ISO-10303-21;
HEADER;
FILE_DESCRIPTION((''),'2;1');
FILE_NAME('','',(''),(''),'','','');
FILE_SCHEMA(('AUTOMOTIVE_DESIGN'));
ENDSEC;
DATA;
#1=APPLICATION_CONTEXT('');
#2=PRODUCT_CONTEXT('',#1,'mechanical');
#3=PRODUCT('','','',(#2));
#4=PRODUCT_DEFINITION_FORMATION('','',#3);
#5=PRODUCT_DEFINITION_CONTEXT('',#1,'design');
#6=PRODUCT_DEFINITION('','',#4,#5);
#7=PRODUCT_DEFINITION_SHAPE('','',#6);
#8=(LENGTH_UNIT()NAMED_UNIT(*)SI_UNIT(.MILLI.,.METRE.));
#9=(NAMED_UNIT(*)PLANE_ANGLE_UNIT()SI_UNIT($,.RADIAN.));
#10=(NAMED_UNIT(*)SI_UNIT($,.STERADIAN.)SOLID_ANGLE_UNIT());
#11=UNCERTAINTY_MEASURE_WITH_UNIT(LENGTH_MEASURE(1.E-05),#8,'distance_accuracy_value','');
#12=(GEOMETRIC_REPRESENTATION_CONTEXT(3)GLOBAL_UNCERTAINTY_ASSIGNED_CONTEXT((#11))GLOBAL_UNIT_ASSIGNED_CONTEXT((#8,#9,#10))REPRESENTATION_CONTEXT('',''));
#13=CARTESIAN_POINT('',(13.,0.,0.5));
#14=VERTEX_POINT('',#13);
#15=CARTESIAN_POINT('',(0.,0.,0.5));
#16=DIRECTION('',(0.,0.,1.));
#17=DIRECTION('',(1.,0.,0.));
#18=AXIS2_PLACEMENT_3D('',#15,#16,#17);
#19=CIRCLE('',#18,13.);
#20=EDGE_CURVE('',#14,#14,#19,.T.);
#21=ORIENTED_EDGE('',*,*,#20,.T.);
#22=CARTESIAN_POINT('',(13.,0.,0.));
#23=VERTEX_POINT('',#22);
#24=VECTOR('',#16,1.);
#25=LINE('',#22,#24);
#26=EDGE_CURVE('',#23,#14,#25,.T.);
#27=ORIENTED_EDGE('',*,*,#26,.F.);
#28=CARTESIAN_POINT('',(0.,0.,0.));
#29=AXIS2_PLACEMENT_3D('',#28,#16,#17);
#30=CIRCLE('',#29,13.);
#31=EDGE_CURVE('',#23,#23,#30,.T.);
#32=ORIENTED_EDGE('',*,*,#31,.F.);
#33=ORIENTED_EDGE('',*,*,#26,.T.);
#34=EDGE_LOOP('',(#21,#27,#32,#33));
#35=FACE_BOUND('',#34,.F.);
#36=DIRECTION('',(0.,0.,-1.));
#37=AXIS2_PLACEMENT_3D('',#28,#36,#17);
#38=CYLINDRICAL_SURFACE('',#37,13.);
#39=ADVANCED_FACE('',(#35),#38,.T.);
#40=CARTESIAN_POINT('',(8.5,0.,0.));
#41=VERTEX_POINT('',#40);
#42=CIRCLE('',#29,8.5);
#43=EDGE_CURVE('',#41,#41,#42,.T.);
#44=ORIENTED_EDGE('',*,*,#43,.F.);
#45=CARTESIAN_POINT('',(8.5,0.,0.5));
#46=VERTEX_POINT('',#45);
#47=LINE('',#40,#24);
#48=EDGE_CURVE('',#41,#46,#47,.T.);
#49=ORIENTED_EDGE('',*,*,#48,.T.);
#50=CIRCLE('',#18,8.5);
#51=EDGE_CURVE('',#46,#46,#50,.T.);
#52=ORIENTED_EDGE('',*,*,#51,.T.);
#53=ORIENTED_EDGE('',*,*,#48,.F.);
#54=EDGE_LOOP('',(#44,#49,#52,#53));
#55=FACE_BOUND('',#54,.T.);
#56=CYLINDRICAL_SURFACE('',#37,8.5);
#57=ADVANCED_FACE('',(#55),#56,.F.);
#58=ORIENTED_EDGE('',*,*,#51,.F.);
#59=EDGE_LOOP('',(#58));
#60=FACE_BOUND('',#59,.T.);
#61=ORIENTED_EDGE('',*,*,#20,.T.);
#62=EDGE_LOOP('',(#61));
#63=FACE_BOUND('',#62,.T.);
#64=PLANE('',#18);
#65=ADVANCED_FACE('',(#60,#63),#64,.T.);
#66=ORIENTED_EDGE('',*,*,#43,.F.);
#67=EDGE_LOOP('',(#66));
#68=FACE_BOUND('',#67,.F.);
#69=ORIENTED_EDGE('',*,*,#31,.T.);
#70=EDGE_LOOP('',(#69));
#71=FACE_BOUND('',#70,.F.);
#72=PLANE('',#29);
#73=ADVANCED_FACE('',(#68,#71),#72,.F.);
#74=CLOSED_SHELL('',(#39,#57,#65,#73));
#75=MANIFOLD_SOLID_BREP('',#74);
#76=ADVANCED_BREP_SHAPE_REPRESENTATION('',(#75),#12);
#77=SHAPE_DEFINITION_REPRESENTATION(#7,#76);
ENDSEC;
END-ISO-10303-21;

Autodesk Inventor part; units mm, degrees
ref_plane "YZ 平面" through (0, 0, 0) normal (1, 0, 0) x (0, 1, 0)
ref_plane "XZ 平面" through (0, 0, 0) normal (0, 1, 0) x (-1, 0, 0)
ref_plane "XY 平面" through (0, 0, 0) normal (0, 0, 1) x (1, 0, 0)
sketch "草图1" plane through (0, 0, 0) normal (0, 0, 1) x (1, 0, 0)
  circle A0 centre (0, 0) radius 13
  circle A1 centre (0, 0) radius 8.5
  dimension "d0" = 26
  dimension "d1" = 17
extrude "拉伸1" add sketch "草图1" along normal blind 0.5
properties part number "油塞垫"
